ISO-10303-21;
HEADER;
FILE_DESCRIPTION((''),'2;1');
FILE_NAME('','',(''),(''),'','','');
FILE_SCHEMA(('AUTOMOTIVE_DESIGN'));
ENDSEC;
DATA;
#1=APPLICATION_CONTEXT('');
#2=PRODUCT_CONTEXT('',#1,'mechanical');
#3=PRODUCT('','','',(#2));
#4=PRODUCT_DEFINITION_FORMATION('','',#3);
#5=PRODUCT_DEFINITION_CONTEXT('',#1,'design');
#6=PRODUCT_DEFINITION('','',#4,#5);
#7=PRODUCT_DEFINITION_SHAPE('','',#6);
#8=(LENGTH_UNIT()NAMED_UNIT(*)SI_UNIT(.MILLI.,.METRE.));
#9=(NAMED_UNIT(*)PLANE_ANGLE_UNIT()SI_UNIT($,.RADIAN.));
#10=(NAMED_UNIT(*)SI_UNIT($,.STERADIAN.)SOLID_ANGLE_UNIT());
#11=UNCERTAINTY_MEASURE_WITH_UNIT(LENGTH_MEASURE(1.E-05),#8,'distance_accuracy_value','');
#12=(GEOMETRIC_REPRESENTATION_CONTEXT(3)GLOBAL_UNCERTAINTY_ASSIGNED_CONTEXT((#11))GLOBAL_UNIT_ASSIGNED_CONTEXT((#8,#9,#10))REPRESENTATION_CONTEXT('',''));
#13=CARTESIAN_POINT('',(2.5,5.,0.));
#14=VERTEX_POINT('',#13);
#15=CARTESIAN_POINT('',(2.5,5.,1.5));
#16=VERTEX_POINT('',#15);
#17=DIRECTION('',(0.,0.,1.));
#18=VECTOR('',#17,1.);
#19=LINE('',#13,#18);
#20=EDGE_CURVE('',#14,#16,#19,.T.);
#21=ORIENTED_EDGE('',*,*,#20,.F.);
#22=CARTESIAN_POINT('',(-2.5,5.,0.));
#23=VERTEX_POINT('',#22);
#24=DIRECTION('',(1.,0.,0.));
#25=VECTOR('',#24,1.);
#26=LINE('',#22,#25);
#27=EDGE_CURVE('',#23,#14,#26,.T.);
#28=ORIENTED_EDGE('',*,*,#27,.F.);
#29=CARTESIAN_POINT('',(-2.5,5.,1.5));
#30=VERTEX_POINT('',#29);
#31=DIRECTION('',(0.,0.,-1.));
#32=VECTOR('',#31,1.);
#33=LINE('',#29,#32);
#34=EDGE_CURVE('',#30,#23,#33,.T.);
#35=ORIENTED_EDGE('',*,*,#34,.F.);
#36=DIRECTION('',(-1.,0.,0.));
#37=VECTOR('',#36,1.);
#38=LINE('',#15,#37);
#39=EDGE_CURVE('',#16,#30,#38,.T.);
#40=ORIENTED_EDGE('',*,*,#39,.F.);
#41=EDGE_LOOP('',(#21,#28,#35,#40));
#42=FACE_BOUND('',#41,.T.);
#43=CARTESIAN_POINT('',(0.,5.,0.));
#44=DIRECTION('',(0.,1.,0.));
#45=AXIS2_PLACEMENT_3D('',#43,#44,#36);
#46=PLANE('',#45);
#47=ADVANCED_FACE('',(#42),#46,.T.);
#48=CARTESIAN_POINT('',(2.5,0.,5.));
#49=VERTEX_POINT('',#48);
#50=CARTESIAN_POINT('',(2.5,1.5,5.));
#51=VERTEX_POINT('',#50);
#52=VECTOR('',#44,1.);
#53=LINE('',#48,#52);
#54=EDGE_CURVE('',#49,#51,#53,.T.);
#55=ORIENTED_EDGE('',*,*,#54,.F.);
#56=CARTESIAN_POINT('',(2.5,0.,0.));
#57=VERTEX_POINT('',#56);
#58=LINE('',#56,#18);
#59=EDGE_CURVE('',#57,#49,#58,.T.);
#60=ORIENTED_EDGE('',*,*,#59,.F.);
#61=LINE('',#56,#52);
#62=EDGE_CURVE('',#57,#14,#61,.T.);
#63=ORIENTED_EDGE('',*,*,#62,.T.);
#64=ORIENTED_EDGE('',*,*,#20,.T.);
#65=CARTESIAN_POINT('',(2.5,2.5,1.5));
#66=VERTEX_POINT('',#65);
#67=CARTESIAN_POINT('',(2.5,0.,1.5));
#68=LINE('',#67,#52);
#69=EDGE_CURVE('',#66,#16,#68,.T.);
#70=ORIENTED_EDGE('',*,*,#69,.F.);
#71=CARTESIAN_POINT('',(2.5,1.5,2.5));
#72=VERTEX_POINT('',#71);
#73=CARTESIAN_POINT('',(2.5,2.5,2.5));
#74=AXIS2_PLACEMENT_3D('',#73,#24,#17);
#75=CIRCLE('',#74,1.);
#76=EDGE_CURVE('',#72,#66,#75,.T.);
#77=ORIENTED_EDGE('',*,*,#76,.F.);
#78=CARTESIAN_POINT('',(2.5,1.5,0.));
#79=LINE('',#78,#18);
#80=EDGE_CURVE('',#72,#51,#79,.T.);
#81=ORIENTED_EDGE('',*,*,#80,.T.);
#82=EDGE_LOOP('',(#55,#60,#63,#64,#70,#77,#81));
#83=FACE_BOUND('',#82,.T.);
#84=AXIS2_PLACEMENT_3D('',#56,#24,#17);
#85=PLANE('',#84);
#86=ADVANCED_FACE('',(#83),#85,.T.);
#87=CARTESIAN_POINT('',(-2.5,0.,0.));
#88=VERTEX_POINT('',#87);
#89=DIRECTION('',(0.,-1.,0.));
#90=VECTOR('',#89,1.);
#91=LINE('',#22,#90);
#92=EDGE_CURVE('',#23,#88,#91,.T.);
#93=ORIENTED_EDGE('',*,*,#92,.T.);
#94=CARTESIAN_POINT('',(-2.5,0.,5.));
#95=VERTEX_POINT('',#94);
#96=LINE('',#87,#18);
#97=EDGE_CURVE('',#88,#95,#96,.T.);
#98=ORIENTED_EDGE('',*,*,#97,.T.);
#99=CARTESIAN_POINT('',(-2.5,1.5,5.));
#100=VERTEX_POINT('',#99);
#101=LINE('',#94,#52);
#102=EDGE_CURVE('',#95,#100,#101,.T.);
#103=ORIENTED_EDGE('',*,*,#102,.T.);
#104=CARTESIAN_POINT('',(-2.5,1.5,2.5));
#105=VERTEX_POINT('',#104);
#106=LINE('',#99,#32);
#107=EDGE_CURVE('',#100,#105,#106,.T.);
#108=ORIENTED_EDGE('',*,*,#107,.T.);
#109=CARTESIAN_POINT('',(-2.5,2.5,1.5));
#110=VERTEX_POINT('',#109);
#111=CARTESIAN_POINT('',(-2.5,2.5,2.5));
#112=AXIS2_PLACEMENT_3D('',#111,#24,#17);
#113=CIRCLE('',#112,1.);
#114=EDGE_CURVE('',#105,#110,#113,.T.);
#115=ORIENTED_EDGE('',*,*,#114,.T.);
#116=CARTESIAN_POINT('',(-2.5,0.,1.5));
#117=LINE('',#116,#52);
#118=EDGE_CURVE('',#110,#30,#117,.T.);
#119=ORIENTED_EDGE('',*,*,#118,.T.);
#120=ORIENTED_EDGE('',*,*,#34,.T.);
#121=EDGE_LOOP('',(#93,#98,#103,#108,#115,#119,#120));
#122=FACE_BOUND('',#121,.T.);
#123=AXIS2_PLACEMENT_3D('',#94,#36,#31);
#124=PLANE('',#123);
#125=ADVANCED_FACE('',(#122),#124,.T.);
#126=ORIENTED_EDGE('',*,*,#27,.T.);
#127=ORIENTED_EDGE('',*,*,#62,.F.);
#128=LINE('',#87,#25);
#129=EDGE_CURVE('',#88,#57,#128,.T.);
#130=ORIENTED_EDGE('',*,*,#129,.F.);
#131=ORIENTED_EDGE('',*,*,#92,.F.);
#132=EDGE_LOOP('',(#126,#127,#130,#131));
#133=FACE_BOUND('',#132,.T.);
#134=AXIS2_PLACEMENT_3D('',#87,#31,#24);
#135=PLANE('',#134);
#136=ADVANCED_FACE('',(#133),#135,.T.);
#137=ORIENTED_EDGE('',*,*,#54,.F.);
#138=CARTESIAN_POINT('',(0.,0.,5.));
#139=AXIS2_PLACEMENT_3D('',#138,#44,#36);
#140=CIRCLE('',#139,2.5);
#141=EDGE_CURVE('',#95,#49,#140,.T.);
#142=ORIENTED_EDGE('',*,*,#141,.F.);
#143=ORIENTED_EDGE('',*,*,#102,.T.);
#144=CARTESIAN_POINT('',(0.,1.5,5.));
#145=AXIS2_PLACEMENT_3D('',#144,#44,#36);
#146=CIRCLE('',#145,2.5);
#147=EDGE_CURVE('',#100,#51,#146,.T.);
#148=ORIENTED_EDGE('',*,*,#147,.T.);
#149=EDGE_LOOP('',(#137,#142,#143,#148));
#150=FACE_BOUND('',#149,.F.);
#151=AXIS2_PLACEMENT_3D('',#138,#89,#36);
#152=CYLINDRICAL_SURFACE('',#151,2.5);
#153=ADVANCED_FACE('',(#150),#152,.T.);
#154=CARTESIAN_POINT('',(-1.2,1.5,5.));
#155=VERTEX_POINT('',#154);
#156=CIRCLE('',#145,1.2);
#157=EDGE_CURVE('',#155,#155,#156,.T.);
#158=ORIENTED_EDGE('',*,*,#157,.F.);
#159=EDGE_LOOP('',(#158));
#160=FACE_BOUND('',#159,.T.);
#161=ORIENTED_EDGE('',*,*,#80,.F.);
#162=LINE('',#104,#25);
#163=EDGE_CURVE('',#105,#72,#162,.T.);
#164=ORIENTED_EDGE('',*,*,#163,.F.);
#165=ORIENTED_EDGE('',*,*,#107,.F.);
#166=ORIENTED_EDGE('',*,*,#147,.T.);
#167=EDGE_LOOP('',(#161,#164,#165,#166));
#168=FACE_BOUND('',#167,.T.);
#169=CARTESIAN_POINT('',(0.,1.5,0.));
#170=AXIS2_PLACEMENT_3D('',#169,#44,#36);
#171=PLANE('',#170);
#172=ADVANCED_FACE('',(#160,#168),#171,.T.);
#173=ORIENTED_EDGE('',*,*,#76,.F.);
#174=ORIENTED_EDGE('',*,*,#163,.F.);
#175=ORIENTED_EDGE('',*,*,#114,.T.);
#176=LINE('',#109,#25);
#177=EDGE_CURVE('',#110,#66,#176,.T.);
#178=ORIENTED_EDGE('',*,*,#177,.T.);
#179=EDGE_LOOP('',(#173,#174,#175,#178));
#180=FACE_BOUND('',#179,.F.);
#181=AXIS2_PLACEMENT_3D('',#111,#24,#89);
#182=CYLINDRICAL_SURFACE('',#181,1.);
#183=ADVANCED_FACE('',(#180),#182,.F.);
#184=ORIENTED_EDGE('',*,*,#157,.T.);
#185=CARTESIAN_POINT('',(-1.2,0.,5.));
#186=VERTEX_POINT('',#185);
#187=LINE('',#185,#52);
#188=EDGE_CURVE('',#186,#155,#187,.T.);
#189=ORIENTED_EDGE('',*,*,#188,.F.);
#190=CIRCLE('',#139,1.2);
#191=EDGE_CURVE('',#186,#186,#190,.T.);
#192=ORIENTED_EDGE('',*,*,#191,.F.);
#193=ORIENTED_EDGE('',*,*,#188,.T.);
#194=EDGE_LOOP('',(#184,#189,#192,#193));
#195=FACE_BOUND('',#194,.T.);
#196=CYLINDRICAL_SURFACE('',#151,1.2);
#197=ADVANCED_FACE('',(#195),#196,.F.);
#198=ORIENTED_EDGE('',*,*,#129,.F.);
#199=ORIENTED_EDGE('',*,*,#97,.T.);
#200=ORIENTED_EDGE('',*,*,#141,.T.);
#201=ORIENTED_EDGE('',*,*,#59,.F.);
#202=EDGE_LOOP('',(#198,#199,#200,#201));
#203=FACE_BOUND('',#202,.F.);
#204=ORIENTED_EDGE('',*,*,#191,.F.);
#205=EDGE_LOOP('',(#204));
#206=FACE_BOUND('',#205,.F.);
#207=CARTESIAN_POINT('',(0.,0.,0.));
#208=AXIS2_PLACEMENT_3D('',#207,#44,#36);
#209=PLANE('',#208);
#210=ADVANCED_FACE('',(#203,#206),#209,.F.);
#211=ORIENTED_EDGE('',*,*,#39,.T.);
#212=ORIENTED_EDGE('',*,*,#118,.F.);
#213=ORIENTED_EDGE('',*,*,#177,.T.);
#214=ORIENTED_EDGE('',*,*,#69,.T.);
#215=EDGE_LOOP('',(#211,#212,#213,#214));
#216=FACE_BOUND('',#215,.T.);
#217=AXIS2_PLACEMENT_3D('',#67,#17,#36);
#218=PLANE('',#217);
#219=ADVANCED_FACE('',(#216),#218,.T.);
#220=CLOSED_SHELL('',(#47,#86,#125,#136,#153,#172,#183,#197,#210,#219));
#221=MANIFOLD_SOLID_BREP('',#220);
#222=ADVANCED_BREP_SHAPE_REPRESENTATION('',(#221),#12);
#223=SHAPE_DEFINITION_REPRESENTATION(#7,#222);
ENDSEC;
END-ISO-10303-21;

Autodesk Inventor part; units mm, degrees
ref_plane "YZ Plane" through (0, 0, 0) normal (1, 0, 0) x (0, 1, 0)
ref_plane "XZ Plane" through (0, 0, 0) normal (0, 1, 0) x (-1, 0, 0)
ref_plane "XY Plane" through (0, 0, 0) normal (0, 0, 1) x (1, 0, 0)
sketch "Boceto2" plane through (0, 0, 0) normal (0, 1, 0) x (-1, 0, 0)
  line L0 (2.5, 5) -> (2.5, 0)
  line L1 (2.5, 0) -> (-2.5, 0)
  line L2 (-2.5, 0) -> (-2.5, 5)
  arc A0 (2.5, 5) -> (-2.5, 5) centre (0, 5) ccw
  circle A1 centre (0, 5) radius 1.2
  point P0 (0, 0)
  point P1 (0, 0)
  dimension "d2" = 5
  dimension "d3" = 5
  dimension "d4" = 2.4
extrude "Extrusión1" add sketch "Boceto2" along normal blind 1.5
sketch "Boceto3" plane through (0, 0, 0) normal (0, 1, 0) x (-1, 0, 0)
  line L0 (-2.5, 1.5) -> (2.5, 1.5)
  line L1 (2.5, 1.5) -> (2.5, 0)
  line L2 (2.5, 0) -> (-2.5, 0)
  line L3 (-2.5, 0) -> (-2.5, 1.5)
  line L4 (-2.5, 0) -> (2.5, 0) projected
  point P0 (0, 0)
  point P1 (0, 0)
  dimension "d7" = 5
  dimension "d8" = 1.5
extrude "Extrusión2" add sketch "Boceto3" along normal blind 5
fillet "Empalme1" radius 1 1 edges at (0, 1.5, 1.5)
properties part number "support_electronics" material "Plástico ABS"
